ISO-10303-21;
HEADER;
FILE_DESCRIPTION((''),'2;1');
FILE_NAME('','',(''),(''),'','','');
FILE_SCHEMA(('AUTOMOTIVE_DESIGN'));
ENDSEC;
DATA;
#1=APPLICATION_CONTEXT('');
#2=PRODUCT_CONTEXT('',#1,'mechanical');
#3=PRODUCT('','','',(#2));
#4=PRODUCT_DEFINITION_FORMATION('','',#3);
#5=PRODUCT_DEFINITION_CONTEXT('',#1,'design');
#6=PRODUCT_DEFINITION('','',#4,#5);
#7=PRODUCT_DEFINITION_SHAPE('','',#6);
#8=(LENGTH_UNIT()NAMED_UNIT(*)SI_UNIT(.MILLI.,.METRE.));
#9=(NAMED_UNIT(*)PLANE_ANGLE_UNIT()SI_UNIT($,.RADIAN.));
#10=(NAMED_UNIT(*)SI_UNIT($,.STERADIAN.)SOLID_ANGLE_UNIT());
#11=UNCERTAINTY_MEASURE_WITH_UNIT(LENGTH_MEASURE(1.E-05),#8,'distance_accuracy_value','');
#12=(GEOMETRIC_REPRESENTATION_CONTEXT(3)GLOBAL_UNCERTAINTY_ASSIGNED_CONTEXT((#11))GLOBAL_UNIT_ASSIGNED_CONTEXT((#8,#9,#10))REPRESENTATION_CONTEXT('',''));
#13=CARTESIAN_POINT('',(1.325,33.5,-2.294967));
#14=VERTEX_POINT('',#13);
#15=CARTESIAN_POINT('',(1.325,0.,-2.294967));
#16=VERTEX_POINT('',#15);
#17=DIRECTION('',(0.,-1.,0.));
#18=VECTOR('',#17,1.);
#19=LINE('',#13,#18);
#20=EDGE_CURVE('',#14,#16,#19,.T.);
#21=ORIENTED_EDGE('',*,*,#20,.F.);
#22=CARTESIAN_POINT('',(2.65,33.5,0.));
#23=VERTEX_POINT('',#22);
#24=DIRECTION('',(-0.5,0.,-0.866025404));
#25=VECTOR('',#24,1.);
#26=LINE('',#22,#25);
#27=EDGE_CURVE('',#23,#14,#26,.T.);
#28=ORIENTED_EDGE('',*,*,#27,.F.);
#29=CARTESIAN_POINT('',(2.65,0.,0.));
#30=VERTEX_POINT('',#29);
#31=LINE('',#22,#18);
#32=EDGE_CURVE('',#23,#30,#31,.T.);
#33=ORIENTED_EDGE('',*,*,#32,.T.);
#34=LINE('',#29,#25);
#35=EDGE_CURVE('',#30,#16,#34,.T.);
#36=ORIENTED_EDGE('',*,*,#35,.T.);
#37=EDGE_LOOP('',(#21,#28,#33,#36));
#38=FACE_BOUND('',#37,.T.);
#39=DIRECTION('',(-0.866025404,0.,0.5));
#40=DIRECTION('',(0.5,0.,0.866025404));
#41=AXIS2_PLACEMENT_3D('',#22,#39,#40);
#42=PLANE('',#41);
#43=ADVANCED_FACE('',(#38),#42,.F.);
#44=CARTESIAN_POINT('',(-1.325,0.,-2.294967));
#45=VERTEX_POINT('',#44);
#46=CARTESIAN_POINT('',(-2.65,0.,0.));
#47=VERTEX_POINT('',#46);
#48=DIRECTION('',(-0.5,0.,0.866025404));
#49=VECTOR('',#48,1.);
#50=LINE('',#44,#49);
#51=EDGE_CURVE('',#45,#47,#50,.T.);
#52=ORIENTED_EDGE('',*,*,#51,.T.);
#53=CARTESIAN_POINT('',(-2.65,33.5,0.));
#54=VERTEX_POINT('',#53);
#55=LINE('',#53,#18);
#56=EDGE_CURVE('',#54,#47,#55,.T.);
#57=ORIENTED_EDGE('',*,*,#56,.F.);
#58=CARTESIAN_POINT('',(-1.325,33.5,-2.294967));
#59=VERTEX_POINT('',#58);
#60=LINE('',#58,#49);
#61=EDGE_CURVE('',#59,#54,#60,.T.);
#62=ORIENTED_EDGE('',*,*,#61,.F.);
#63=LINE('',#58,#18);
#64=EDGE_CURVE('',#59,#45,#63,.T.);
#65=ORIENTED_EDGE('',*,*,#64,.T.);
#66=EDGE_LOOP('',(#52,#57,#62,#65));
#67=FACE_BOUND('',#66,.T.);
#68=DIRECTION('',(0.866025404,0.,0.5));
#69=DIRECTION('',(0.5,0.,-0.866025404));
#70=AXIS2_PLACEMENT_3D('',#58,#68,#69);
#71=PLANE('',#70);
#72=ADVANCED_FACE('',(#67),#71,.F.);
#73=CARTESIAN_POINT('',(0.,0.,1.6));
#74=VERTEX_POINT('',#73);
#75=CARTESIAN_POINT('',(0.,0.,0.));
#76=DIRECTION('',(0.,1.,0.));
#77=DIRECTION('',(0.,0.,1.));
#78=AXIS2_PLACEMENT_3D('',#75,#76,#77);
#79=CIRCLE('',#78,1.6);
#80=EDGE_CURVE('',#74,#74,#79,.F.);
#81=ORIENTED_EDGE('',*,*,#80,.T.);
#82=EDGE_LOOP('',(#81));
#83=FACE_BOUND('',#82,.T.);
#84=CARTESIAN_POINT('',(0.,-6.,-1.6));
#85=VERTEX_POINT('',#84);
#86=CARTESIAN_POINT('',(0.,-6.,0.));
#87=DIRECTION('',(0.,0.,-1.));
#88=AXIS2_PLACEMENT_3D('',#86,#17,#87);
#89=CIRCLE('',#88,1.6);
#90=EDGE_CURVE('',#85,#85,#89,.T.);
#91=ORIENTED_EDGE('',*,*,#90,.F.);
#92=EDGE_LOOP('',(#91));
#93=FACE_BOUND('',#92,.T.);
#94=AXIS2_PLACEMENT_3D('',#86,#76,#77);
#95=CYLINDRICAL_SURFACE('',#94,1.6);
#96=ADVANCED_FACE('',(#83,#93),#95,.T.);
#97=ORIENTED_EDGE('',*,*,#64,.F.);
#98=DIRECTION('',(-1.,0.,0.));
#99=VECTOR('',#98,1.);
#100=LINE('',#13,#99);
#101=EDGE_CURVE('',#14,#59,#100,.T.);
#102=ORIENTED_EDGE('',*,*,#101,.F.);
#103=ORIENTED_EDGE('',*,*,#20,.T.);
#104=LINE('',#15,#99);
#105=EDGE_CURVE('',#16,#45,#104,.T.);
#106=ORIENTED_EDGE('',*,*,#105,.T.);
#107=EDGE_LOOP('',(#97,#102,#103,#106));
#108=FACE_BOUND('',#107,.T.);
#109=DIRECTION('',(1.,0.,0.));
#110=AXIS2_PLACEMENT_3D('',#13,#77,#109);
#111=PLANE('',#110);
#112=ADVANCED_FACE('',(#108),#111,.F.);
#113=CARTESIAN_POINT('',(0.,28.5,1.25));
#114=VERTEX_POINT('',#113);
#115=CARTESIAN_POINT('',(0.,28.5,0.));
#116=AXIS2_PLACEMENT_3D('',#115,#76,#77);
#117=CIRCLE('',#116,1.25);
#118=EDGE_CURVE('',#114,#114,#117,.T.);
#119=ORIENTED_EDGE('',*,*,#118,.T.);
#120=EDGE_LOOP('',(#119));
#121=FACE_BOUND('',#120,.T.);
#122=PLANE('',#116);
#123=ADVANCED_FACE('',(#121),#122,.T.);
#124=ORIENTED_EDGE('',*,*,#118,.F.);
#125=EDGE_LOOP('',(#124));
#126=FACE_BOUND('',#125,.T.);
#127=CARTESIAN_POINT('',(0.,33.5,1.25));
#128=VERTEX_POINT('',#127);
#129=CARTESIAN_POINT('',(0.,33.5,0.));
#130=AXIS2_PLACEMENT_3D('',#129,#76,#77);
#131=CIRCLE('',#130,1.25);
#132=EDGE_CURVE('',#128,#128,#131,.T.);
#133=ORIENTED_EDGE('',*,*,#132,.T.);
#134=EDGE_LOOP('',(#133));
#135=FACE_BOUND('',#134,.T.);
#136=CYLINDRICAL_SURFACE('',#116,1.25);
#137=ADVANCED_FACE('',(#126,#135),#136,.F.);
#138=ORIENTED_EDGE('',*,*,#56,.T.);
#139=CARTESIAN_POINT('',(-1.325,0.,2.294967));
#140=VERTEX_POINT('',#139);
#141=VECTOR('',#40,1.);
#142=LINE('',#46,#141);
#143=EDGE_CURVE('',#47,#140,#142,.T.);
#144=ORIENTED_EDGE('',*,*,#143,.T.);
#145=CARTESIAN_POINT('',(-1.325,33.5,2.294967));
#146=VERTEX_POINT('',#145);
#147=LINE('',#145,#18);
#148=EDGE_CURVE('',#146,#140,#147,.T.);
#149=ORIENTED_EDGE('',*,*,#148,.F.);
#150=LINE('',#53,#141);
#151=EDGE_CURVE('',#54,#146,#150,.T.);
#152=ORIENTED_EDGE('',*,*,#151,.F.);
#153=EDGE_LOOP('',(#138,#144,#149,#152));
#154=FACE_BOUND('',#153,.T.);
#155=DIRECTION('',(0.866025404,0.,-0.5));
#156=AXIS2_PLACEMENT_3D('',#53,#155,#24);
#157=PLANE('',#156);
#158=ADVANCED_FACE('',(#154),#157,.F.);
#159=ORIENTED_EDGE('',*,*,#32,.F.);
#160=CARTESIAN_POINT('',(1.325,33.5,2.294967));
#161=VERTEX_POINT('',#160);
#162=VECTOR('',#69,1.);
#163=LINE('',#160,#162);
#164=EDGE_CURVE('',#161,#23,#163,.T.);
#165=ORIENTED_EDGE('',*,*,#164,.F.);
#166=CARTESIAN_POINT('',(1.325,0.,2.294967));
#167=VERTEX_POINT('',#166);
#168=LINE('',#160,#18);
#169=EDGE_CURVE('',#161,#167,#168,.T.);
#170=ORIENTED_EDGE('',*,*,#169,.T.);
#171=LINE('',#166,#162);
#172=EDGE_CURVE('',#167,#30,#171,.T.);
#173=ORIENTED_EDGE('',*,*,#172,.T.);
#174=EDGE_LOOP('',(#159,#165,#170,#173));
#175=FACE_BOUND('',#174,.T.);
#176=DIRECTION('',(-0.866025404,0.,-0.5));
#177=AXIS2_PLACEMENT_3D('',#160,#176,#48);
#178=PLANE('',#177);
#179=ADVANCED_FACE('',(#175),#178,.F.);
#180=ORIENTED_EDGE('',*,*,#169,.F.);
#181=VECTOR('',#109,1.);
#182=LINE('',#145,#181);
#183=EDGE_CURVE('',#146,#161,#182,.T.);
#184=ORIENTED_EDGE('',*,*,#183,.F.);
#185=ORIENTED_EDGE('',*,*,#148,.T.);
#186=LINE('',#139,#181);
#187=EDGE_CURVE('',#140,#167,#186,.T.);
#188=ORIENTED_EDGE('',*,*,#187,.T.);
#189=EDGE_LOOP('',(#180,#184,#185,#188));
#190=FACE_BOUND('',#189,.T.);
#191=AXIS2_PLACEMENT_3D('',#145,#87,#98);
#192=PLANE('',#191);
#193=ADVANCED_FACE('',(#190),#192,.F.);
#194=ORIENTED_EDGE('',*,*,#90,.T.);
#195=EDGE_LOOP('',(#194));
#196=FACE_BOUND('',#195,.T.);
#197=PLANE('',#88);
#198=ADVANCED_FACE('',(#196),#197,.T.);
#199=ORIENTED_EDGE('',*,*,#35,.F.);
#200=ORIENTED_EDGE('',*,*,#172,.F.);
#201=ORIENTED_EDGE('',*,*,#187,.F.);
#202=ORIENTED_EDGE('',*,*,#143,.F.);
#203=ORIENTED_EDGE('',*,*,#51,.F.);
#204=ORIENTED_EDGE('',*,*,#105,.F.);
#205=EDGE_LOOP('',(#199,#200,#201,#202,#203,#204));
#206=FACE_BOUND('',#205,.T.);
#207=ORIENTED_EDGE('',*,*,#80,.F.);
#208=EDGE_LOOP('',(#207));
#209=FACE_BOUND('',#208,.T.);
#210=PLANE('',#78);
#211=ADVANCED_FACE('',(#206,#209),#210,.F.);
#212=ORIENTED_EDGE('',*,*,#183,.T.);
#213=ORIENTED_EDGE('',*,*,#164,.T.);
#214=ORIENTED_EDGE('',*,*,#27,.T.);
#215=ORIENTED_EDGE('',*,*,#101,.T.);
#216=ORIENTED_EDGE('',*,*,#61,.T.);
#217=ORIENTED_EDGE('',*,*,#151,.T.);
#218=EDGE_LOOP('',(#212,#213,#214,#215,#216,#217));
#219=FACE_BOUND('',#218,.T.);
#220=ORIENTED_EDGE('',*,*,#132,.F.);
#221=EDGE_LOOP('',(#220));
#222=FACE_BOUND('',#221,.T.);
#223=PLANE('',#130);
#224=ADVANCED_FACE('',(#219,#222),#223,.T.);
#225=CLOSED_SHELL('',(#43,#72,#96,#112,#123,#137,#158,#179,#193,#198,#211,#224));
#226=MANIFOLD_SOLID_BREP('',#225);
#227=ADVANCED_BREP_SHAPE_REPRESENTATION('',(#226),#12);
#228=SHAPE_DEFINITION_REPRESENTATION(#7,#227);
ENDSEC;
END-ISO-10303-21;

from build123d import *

# Parameters (mm, degrees)
EXTRUDE_1_DEPTH     = 33.5
SKETCH_6_R          = 1.6
EXTRUDE_2_DEPTH     = 6
SKETCH_7_R          = 1.25
CUT_EXTRUDE_1_DEPTH = 5


with BuildPart() as part:
    # 草图4 → 凸台-拉伸1 (new body)
    with BuildSketch(Plane(origin=(0, 0, 0), x_dir=(1, 0, 0), z_dir=(0, 1, 0))):
        Polygon((1.325, -2.29496732), (2.65, 0), (1.325, 2.29496732), (-1.325, 2.29496732), (-2.65, 0), (-1.325, -2.29496732), align=None)
    extrude(amount=EXTRUDE_1_DEPTH)

    # 草图6 → 凸台-拉伸2 (add)
    with BuildSketch(Plane(origin=(0, 0, 0), x_dir=(-1, 0, 0), z_dir=(0, -1, 0))):
        with Locations(Location((0, 0, 0), (0, 0, 270))):
            Circle(SKETCH_6_R)
    extrude(amount=EXTRUDE_2_DEPTH)

    # 草图7 → 切除-拉伸1 (cut)
    with BuildSketch(Plane(origin=(0, 33.5, 0), x_dir=(1, 0, 0), z_dir=(0, 1, 0))):
        with Locations(Location((0, 0, 0), (0, 0, 270))):
            Circle(SKETCH_7_R)
    extrude(amount=-CUT_EXTRUDE_1_DEPTH, mode=Mode.SUBTRACT)


solid = part.part
